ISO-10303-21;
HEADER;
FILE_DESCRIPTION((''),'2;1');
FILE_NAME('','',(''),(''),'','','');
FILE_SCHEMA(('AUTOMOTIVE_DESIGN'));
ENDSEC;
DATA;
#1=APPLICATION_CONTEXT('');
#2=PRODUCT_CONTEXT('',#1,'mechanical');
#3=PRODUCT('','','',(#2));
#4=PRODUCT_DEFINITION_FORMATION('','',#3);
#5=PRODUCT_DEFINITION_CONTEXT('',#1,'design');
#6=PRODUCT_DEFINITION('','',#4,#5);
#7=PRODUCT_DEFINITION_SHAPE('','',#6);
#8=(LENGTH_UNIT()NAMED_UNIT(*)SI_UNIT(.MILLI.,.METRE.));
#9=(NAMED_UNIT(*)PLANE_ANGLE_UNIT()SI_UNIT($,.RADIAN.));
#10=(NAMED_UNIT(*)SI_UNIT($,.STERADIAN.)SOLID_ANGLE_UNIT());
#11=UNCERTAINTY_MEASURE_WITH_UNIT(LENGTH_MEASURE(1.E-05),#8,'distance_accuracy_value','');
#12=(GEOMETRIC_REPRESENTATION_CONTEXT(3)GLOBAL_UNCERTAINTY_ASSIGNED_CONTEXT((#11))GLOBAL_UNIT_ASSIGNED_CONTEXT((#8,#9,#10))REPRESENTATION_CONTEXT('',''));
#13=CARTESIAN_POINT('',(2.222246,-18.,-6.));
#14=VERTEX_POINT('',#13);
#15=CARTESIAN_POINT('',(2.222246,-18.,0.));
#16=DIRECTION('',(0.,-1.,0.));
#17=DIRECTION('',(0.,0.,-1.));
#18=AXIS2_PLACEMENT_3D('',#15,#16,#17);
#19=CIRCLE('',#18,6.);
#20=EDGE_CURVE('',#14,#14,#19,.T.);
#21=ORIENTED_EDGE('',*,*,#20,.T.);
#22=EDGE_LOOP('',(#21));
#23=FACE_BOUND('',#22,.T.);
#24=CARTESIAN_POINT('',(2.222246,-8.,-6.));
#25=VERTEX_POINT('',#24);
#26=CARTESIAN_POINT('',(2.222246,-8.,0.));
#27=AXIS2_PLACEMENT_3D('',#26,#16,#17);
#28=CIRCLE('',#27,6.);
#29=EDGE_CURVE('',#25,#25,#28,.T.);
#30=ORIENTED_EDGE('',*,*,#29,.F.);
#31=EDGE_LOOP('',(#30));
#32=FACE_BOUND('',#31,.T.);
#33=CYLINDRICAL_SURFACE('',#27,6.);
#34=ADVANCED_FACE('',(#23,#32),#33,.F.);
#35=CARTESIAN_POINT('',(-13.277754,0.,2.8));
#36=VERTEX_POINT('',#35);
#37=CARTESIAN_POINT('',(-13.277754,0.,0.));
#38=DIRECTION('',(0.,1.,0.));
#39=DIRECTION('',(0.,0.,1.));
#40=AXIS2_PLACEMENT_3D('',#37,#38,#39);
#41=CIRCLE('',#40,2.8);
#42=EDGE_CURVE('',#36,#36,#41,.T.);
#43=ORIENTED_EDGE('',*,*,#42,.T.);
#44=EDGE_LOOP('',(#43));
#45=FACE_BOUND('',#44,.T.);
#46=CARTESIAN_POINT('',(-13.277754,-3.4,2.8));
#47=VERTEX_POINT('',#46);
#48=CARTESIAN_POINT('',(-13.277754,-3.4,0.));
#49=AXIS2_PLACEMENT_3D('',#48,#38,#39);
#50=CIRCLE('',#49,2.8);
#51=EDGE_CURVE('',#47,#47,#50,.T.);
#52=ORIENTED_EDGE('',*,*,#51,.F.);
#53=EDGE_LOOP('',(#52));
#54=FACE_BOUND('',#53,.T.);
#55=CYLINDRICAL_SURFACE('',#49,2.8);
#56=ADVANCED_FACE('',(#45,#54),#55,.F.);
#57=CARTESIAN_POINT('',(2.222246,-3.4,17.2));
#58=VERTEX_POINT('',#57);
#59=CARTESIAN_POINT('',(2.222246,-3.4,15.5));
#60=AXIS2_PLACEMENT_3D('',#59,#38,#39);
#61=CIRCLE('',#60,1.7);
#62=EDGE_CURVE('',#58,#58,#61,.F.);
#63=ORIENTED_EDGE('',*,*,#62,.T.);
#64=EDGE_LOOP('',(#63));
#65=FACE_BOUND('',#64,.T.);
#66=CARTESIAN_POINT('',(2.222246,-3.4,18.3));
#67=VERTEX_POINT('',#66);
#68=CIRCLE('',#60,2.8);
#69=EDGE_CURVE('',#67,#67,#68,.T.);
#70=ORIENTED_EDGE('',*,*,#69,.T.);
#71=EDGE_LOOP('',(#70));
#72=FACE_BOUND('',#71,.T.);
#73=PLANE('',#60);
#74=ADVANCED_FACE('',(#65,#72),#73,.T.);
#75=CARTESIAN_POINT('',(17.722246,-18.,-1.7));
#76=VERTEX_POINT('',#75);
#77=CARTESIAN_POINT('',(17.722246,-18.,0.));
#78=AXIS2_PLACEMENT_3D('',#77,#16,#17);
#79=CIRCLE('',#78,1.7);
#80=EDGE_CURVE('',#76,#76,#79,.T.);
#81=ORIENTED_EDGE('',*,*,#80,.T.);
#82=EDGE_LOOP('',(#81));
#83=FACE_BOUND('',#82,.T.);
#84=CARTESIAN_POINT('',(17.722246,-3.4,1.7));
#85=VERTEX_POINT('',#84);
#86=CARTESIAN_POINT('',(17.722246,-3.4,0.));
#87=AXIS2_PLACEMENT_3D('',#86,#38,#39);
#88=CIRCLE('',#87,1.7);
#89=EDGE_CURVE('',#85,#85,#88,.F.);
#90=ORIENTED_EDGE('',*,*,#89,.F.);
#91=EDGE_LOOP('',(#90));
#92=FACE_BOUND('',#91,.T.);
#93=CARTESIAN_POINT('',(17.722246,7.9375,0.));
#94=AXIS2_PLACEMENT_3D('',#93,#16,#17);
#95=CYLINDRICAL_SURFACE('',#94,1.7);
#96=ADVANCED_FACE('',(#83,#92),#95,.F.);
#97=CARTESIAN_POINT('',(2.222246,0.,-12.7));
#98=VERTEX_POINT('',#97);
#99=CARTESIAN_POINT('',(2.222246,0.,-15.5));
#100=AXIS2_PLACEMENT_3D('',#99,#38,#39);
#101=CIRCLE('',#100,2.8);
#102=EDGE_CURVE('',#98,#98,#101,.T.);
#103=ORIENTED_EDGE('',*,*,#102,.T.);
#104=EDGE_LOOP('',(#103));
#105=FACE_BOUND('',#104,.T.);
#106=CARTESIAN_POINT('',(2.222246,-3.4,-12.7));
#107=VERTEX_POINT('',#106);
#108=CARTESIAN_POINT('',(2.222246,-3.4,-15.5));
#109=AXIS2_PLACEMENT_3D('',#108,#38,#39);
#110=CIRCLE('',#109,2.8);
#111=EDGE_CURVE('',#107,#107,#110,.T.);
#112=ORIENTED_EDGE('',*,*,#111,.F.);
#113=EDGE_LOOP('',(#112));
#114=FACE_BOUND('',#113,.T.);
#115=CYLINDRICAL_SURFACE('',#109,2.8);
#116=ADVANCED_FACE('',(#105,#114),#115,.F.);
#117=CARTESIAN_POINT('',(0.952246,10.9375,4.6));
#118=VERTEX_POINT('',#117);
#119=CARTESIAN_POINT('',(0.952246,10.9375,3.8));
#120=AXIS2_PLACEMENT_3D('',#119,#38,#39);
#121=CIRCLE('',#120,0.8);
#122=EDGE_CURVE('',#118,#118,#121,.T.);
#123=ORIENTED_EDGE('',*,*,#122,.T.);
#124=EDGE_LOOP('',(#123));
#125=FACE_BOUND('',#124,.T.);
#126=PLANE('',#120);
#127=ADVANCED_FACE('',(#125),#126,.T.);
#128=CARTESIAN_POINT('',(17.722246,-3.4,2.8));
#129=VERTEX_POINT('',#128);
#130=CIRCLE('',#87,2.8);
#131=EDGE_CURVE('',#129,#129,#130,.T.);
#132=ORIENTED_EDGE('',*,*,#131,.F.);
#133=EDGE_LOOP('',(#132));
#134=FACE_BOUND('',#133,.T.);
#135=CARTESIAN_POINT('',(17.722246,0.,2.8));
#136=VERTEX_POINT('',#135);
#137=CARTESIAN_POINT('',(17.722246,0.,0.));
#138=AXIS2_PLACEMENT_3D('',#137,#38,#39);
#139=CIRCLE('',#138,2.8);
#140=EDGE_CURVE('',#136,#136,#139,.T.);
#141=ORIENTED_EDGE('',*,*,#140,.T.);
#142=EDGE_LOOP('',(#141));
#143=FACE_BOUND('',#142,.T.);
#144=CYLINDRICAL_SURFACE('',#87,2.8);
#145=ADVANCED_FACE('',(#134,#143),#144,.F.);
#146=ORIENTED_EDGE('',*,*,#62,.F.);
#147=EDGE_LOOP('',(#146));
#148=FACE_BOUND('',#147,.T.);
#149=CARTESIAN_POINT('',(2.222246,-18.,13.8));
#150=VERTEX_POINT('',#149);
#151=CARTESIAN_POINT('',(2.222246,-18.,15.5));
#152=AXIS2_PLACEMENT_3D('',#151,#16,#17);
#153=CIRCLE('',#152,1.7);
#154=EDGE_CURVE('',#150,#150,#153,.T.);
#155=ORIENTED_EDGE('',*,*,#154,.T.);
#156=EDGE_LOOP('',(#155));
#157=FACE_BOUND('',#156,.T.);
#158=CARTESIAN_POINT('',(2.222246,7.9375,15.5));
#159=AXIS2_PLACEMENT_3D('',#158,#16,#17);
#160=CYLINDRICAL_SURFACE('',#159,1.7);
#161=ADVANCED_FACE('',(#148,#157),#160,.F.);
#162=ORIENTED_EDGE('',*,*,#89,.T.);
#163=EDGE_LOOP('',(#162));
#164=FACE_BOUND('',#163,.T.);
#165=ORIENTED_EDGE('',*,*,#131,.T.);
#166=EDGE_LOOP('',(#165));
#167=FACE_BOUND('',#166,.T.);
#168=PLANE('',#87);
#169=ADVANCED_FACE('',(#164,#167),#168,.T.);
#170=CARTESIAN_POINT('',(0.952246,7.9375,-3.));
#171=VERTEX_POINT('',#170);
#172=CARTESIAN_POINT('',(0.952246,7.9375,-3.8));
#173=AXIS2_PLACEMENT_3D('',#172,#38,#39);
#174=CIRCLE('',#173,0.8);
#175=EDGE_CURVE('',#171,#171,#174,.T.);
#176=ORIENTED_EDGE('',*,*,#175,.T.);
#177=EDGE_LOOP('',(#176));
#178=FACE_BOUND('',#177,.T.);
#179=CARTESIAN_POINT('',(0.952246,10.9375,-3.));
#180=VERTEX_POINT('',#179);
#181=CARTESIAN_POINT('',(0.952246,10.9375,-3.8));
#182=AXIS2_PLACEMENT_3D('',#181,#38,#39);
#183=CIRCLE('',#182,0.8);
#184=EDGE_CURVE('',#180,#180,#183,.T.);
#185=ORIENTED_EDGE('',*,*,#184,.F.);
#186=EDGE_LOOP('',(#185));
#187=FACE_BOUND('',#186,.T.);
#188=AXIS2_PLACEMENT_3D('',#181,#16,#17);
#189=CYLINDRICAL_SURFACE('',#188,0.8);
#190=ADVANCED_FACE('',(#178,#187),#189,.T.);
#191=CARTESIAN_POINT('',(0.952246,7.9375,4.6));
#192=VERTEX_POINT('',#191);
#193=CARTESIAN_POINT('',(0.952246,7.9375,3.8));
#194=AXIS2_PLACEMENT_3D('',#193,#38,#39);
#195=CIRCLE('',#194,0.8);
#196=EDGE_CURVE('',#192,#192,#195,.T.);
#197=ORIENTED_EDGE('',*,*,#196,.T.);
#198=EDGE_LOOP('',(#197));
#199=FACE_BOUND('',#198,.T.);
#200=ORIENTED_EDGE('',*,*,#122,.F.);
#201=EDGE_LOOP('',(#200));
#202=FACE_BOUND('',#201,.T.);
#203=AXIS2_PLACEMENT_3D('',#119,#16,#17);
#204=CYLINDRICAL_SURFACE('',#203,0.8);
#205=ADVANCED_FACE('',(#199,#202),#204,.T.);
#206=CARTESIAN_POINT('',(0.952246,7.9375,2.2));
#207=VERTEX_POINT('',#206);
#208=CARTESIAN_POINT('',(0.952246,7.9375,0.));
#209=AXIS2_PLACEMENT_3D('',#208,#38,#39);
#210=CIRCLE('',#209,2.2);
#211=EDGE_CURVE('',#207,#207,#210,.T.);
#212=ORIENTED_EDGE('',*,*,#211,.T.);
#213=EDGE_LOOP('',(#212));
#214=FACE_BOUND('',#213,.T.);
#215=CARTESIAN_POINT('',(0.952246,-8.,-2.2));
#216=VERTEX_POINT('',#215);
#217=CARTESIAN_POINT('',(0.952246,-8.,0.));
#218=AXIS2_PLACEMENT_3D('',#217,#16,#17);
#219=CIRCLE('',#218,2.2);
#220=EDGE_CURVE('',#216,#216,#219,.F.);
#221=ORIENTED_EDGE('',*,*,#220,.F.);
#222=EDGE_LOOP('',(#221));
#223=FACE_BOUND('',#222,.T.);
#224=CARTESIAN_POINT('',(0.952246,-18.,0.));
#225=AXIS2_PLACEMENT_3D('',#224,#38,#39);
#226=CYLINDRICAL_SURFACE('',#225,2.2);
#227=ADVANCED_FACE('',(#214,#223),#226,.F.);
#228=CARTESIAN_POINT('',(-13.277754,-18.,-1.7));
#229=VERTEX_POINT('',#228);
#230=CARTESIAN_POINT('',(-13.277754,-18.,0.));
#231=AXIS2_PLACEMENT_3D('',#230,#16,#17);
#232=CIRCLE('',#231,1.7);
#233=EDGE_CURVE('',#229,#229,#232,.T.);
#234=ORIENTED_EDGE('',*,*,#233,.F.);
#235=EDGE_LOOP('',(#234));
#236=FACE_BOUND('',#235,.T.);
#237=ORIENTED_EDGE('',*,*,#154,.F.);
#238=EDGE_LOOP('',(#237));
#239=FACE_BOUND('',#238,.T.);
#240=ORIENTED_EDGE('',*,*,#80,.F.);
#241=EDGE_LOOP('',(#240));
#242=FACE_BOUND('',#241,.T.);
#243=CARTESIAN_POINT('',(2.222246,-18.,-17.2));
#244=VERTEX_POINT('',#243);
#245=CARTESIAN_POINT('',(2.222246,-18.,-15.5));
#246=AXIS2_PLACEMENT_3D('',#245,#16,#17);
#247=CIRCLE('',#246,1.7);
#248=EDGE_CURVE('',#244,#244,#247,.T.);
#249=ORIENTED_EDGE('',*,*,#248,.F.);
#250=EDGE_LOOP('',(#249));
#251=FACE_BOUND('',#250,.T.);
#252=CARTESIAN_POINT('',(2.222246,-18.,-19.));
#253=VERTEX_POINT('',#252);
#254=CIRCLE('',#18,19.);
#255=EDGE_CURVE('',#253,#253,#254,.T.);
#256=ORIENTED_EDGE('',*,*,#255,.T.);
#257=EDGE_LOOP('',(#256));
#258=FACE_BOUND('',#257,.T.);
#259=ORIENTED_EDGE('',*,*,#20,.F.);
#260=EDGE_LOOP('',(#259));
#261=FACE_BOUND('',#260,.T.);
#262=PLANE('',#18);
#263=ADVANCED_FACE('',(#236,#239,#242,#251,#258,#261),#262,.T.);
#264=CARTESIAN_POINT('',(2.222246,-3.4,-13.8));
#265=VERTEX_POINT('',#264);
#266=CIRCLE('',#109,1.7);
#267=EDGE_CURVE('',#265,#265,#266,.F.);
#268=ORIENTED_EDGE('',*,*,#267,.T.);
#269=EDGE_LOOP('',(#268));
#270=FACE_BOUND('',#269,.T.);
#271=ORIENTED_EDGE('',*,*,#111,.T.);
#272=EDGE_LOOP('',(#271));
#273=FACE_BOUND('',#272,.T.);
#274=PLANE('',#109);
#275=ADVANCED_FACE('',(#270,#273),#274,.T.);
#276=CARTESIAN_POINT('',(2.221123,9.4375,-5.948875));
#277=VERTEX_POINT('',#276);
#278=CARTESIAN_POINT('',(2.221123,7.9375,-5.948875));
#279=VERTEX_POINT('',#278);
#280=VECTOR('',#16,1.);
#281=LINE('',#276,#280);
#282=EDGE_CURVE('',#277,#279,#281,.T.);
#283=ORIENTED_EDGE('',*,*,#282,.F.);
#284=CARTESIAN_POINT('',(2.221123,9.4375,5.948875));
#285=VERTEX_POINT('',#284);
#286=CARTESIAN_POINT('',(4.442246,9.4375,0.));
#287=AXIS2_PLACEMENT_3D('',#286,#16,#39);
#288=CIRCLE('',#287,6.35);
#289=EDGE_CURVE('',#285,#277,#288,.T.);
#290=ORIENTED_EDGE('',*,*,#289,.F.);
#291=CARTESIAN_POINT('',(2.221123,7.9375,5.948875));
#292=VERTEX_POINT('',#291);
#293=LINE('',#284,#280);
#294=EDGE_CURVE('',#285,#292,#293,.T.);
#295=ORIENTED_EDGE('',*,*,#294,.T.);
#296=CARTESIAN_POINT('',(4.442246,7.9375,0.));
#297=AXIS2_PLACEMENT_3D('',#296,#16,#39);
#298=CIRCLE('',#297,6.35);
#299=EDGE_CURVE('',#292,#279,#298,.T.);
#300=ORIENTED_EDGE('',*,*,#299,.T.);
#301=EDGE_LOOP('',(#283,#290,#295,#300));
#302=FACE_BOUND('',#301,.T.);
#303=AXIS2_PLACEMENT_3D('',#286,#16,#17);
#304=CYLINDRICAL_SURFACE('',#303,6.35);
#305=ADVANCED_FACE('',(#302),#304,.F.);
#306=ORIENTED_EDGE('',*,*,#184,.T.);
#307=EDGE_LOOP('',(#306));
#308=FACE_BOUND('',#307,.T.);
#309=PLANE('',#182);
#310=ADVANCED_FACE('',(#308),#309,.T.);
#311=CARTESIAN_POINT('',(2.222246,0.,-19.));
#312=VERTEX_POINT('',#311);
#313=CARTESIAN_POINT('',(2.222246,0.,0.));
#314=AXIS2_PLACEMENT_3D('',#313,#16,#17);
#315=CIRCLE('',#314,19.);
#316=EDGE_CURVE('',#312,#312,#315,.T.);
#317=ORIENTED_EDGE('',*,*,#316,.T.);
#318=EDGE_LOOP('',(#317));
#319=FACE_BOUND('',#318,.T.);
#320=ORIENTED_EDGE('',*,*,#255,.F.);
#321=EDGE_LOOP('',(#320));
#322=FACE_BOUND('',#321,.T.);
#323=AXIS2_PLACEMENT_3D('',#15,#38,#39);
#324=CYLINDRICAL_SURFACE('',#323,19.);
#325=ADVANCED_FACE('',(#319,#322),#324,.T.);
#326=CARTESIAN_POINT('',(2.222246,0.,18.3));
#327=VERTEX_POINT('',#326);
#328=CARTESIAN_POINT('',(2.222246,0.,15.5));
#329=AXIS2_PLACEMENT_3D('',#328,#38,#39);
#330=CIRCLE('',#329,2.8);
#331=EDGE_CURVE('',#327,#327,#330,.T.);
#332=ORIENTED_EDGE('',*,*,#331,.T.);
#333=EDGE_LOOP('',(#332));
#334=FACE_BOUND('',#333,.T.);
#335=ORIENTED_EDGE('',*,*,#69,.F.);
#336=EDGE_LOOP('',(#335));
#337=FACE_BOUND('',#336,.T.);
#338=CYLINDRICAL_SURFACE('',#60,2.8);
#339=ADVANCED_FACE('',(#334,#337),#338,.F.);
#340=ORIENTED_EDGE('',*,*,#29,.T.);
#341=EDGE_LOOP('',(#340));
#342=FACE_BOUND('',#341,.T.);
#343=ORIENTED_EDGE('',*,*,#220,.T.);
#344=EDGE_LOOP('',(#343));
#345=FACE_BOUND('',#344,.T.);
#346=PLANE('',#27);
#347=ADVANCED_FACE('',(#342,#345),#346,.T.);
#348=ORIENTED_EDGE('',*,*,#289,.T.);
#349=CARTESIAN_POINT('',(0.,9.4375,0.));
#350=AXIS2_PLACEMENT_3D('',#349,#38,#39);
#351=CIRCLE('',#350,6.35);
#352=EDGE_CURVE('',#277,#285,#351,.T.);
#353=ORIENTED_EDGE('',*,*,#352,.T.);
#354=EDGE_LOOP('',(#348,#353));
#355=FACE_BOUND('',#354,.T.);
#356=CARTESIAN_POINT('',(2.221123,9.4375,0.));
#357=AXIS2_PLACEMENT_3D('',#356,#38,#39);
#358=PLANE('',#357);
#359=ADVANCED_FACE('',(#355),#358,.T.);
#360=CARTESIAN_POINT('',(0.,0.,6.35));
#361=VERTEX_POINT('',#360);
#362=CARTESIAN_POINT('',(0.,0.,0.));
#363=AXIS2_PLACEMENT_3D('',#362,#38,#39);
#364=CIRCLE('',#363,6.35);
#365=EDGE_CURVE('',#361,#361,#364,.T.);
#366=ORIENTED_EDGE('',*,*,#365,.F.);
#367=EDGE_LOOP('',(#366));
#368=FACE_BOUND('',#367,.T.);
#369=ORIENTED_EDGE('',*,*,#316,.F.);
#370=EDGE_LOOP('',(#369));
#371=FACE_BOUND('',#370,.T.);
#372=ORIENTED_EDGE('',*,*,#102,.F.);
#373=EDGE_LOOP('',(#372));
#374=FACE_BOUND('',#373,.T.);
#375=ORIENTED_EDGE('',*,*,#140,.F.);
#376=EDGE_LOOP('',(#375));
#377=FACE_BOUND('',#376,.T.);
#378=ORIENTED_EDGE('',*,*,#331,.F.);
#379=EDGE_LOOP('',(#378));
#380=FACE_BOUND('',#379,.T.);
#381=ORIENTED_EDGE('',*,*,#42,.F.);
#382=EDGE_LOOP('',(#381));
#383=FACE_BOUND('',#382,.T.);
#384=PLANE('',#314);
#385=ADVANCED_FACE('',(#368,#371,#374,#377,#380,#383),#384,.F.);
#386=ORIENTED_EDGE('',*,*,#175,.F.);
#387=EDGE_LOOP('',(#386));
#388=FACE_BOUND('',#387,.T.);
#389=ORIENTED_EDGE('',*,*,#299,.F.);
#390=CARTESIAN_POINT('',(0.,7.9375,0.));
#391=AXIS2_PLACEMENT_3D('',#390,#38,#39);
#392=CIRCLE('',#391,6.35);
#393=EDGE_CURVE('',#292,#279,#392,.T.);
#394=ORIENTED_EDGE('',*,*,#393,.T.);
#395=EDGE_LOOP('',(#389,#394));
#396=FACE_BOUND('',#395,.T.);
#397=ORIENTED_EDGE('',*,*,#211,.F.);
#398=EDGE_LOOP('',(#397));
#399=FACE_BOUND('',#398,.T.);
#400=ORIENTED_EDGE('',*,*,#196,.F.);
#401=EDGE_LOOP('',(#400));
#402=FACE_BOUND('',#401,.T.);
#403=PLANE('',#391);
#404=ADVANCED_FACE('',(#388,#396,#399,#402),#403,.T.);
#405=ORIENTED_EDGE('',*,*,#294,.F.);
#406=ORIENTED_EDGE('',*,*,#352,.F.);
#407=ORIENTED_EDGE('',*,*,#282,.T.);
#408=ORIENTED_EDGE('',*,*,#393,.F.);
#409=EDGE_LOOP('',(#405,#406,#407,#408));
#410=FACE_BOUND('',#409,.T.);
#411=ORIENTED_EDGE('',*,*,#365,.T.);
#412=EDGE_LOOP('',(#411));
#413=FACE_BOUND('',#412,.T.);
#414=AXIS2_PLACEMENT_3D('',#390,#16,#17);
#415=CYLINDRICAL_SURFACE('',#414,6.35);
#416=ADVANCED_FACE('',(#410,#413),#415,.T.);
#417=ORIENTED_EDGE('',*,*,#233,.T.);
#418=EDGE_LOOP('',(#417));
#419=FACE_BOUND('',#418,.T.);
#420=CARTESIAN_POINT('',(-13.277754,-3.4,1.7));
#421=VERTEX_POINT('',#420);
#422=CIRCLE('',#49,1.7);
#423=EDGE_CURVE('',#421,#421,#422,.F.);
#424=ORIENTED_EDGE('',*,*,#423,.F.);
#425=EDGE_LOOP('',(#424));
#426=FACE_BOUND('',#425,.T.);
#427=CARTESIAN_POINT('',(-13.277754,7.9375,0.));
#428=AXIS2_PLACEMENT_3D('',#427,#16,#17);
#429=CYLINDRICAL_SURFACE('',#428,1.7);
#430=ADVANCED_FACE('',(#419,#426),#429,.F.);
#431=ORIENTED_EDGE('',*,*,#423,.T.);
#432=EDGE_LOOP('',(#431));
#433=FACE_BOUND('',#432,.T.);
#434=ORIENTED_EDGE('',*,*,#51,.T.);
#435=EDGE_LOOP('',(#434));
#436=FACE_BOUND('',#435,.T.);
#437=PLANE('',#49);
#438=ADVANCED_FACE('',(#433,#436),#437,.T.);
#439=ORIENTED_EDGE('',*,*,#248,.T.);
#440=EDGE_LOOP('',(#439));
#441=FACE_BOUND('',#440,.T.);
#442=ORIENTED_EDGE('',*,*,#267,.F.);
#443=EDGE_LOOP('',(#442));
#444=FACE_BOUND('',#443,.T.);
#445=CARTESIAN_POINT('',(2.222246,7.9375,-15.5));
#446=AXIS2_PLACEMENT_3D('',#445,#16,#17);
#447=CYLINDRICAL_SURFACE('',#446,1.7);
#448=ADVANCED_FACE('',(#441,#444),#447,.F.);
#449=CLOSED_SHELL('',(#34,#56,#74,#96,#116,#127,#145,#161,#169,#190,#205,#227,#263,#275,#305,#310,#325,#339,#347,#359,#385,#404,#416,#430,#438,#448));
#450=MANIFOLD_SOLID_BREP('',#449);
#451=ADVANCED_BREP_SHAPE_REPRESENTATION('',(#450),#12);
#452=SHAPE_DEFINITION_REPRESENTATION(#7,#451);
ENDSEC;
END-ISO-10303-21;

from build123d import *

# Parameters (mm, degrees)
SKETCH2_R           = 6.35
BOSS_EXTRUDE1_DEPTH = 7.9375
SKETCH7_R           = 19
BOSS_EXTRUDE5_DEPTH = 18
SKETCH8_R           = 1.7
CUT_EXTRUDE1_DEPTH  = 39.524506895
SKETCH9_R           = 2.8
CUT_EXTRUDE2_DEPTH  = 3.4
SKETCH6_R           = 2.2
CUT_EXTRUDE3_DEPTH  = 39.524506895
SKETCH10_R          = 3.9
CUT_EXTRUDE4_DEPTH  = 3
BOSS_EXTRUDE6_DEPTH = 1.5
SKETCH11_R          = 0.8
BOSS_EXTRUDE7_DEPTH = 3
SKETCH12_R          = 6
CUT_EXTRUDE5_DEPTH  = 10


with BuildPart() as part:
    # Sketch2 → Boss-Extrude1 (new body)
    with BuildSketch(Plane(origin=(0, 0, 0), x_dir=(1, 0, 0), z_dir=(0, 1, 0))):
        with Locations(Location((0, 0, 0), (0, 0, 270))):
            Circle(SKETCH2_R)
    extrude(amount=BOSS_EXTRUDE1_DEPTH)

    # Sketch7 → Boss-Extrude5 (add)
    with BuildSketch(Plane.XZ):
        with Locations(Location((2.222246, 0, 0), (0, 0, 270))):
            Circle(SKETCH7_R)
    extrude(amount=BOSS_EXTRUDE5_DEPTH)

    # Sketch8 → Cut-Extrude1 (cut, through all)
    with BuildSketch(Plane.XZ.offset(18)):
        with Locations(Location((2.222246, 15.5, 0), (0, 0, 270))):
            Circle(SKETCH8_R)
        with Locations(Location((17.722246, 0, 0), (0, 0, 270))):
            Circle(SKETCH8_R)
        with Locations(Location((2.222246, -15.5, 0), (0, 0, 270))):
            Circle(SKETCH8_R)
        with Locations(Location((-13.277754, 0, 0), (0, 0, 270))):
            Circle(SKETCH8_R)
    extrude(amount=-CUT_EXTRUDE1_DEPTH, mode=Mode.SUBTRACT)

    # Sketch9 → Cut-Extrude2 (cut)
    with BuildSketch(Plane(origin=(0, 0, 0), x_dir=(1, 0, 0), z_dir=(0, 1, 0))):
        with Locations(Location((2.222246, 15.5, 0), (0, 0, 270))):
            Circle(SKETCH9_R)
        with Locations(Location((17.722246, 0, 0), (0, 0, 270))):
            Circle(SKETCH9_R)
        with Locations(Location((2.222246, -15.5, 0), (0, 0, 270))):
            Circle(SKETCH9_R)
        with Locations(Location((-13.277754, 0, 0), (0, 0, 270))):
            Circle(SKETCH9_R)
    extrude(amount=-CUT_EXTRUDE2_DEPTH, mode=Mode.SUBTRACT)

    # Sketch6 → Cut-Extrude3 (cut, through all)
    with BuildSketch(Plane(origin=(0, 7.9375, 0), x_dir=(1, 0, 0), z_dir=(0, 1, 0))):
        with Locations(Location((0.952246, 0, 0), (0, 0, 270))):
            Circle(SKETCH6_R)
    extrude(amount=-CUT_EXTRUDE3_DEPTH, mode=Mode.SUBTRACT)

    # Sketch10 → Cut-Extrude4 (cut)
    with BuildSketch(Plane.XZ.offset(18)):
        with Locations(Location((0.952246, 0, 0), (0, 0, 270))):
            Circle(SKETCH10_R)
    extrude(amount=-CUT_EXTRUDE4_DEPTH, mode=Mode.SUBTRACT)

    # Sketch4 → Boss-Extrude6 (add)
    with BuildSketch(Plane(origin=(0, 7.9375, 0), x_dir=(1, 0, 0), z_dir=(0, 1, 0))):
        with BuildLine():
            ThreePointArc((2.221123, 5.948874904), (-1.907754, 0), (2.221123, -5.948874904))
            ThreePointArc((2.221123, -5.948874904), (-6.35, 0), (2.221123, 5.948874904))
        make_face()
    extrude(amount=BOSS_EXTRUDE6_DEPTH)

    # Sketch11 → Boss-Extrude7 (add)
    with BuildSketch(Plane(origin=(0, 7.9375, 0), x_dir=(1, 0, 0), z_dir=(0, 1, 0))):
        with Locations(Location((0.952246, 3.8, 0), (0, 0, 270))):
            Circle(SKETCH11_R)
        with Locations(Location((0.952246, -3.8, 0), (0, 0, 270))):
            Circle(SKETCH11_R)
    extrude(amount=BOSS_EXTRUDE7_DEPTH)

    # Sketch12 → Cut-Extrude5 (cut)
    with BuildSketch(Plane.XZ.offset(18)):
        with Locations(Location((2.222246, 0, 0), (0, 0, 270))):
            Circle(SKETCH12_R)
    extrude(amount=-CUT_EXTRUDE5_DEPTH, mode=Mode.SUBTRACT)


solid = part.part
